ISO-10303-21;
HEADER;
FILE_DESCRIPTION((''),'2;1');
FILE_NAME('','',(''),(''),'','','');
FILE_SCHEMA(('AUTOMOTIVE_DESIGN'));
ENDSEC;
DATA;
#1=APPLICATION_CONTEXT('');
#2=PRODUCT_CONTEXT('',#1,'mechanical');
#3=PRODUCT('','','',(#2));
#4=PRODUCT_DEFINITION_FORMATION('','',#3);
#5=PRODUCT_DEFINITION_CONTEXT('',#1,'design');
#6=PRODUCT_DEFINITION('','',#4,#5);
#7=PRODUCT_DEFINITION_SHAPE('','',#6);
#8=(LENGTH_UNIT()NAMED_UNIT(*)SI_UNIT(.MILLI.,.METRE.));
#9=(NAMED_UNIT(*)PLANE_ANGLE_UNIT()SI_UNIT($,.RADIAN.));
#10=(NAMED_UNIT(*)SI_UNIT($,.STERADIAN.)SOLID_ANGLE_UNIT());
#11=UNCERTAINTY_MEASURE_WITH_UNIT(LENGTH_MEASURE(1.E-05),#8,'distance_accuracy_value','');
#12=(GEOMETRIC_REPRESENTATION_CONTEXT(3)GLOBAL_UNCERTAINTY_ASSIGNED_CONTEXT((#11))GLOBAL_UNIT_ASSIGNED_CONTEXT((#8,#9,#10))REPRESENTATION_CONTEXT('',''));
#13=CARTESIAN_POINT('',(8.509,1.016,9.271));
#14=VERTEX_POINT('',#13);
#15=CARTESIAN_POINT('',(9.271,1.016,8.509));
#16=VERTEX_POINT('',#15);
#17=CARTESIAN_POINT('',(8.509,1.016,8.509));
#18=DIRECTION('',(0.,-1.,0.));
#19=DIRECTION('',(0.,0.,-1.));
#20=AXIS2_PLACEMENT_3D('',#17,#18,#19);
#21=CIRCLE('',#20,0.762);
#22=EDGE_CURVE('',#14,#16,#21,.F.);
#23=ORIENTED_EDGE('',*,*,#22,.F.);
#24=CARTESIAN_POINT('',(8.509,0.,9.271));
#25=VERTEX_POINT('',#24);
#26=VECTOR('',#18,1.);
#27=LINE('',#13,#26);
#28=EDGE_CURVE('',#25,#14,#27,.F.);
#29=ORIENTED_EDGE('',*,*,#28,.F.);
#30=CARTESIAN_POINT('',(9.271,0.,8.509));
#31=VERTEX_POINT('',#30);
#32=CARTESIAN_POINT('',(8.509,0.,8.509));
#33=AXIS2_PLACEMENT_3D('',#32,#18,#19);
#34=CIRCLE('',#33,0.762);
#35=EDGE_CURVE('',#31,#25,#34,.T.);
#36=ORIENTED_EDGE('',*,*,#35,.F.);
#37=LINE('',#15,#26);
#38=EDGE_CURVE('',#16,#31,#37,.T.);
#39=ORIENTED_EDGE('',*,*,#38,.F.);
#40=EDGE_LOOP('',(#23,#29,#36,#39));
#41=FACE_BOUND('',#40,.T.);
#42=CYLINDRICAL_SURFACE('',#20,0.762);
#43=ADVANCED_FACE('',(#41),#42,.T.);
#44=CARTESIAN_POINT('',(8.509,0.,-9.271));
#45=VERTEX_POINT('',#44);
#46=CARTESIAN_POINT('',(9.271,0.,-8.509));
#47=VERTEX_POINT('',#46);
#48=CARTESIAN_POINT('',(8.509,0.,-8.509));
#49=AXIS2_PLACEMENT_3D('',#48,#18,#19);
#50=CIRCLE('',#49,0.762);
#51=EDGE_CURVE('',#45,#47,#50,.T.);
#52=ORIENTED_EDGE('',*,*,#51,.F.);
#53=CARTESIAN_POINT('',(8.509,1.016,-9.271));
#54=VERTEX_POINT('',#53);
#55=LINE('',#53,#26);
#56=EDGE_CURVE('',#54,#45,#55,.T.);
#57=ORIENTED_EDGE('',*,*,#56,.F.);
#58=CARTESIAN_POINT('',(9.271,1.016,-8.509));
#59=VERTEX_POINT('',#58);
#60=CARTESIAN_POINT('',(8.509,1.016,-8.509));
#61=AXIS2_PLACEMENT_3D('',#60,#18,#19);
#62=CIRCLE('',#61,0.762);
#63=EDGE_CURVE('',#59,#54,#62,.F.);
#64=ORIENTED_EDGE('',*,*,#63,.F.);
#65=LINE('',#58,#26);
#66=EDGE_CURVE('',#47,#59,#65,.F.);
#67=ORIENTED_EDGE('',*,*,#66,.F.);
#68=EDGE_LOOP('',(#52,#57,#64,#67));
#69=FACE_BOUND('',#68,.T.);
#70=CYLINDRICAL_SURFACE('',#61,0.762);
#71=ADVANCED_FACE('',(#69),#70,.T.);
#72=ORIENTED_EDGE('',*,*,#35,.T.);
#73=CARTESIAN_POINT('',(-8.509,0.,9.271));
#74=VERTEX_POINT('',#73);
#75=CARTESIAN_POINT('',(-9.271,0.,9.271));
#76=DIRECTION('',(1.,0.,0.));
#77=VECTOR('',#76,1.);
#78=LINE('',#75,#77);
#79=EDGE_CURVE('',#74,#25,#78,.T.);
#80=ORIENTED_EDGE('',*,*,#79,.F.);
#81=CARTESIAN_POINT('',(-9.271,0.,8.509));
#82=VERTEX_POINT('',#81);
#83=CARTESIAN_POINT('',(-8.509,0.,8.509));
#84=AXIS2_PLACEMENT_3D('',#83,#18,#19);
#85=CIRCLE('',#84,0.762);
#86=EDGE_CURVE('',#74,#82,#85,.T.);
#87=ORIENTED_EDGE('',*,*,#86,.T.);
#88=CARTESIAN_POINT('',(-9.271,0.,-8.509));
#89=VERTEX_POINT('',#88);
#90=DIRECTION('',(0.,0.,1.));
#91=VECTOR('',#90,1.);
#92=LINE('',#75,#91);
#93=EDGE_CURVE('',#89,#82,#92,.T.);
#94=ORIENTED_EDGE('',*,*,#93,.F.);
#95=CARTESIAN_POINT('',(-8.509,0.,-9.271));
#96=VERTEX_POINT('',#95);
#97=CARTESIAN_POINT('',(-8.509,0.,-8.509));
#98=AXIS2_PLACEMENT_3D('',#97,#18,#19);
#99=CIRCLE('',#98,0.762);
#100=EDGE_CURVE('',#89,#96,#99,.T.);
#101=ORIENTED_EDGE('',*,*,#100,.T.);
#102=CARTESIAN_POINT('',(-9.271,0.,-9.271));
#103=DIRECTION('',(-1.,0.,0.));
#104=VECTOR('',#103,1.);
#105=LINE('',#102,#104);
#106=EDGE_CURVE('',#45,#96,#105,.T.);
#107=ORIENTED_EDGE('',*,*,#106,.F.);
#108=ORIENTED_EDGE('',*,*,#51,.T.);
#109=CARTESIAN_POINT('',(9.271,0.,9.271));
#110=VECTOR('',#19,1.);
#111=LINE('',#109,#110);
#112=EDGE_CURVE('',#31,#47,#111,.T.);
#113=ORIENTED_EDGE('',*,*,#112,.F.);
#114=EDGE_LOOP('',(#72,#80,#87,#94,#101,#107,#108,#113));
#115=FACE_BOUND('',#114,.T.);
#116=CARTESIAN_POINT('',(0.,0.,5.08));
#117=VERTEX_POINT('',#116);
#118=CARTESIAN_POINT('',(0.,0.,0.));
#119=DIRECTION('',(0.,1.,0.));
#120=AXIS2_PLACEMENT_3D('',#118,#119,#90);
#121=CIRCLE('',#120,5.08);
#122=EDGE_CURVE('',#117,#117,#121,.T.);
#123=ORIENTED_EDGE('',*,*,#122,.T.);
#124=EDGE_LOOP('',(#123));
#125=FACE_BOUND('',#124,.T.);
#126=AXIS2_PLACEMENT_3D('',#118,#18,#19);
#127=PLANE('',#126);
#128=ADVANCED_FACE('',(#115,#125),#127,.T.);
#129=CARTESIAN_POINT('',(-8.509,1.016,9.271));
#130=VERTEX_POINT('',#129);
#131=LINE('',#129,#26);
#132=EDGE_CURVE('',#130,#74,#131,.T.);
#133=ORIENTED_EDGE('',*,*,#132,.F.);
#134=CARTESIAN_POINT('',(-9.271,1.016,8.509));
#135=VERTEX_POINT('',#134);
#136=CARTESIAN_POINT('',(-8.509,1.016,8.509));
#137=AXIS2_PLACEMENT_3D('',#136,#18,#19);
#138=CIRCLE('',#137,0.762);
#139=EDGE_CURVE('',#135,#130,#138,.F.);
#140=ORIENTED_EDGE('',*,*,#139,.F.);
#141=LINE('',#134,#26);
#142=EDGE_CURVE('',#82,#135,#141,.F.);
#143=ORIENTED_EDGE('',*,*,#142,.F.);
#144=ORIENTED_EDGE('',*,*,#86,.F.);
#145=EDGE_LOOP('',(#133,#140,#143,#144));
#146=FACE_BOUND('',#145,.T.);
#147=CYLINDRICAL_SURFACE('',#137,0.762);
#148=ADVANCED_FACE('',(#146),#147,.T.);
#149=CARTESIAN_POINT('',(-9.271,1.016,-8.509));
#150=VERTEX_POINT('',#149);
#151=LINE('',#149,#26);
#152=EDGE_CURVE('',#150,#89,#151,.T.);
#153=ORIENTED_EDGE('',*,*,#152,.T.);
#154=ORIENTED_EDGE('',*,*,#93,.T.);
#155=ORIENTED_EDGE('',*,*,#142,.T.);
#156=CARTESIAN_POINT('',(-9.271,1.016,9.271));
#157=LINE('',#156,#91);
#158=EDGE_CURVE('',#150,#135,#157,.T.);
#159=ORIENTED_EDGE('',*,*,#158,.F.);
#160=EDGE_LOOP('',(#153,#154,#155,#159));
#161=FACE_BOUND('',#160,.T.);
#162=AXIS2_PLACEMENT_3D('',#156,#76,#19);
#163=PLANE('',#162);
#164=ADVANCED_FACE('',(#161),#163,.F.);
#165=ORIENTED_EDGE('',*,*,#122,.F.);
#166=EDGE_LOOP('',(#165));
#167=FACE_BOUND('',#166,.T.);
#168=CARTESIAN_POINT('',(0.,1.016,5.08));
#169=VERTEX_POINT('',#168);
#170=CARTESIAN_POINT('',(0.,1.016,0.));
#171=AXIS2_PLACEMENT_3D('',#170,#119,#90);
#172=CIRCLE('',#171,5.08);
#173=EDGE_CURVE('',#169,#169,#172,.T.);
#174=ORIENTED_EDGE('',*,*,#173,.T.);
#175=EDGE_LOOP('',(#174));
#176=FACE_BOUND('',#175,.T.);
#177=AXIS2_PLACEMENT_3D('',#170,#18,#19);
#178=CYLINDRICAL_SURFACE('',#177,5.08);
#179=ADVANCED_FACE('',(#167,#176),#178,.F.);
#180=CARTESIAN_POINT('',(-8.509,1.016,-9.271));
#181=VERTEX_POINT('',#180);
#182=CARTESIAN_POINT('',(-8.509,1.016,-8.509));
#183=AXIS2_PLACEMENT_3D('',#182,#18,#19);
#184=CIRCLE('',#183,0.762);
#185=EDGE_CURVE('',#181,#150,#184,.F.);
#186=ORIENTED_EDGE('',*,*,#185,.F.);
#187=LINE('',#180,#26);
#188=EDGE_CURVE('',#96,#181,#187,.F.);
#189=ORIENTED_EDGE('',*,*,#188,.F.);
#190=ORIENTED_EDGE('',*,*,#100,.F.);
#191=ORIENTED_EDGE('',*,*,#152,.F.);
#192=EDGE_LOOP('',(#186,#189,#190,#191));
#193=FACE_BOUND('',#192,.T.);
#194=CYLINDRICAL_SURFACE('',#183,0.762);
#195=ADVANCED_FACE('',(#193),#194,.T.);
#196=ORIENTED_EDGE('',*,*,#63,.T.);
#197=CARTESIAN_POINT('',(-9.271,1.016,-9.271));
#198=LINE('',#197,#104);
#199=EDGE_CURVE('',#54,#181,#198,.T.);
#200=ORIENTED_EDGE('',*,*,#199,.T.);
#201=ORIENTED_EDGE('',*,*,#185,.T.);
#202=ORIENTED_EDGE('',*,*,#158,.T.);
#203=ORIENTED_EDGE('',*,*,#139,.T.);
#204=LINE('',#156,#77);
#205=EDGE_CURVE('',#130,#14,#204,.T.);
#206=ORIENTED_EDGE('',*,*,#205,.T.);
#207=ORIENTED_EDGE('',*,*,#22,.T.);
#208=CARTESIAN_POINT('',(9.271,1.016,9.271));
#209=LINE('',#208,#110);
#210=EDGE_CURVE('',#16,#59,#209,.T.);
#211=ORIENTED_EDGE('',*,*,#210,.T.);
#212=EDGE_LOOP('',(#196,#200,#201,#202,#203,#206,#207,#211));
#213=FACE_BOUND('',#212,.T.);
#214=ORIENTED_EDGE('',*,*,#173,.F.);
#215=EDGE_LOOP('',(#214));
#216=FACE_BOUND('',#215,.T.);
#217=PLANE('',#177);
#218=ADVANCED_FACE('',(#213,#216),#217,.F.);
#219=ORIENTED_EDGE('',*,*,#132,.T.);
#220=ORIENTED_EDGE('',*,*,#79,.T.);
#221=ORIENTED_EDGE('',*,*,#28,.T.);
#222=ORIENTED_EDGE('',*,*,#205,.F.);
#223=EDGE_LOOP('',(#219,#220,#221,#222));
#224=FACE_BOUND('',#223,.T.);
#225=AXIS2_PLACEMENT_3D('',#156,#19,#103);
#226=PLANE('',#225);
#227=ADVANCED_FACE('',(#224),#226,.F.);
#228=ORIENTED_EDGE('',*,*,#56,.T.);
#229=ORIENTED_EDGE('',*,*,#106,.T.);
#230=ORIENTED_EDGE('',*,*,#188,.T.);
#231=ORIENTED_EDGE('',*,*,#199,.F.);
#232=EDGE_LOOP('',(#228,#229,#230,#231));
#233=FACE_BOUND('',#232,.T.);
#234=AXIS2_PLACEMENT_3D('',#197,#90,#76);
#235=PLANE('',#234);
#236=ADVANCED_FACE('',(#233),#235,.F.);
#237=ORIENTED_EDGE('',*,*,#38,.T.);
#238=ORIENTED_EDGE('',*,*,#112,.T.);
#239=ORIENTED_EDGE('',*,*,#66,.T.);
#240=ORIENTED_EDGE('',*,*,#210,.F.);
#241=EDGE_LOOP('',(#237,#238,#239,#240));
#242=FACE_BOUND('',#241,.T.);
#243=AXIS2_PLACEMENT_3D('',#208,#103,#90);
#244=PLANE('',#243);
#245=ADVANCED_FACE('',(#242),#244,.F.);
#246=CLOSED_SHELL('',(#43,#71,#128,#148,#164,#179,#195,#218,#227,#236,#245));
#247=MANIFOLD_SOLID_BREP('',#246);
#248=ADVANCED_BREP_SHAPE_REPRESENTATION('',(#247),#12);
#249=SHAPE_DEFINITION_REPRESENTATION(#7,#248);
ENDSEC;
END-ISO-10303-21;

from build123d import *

# Parameters (mm, degrees)
SKETCH1_W           = 18.542
SKETCH1_H           = 18.542
SKETCH1_R           = 5.08
BOSS_EXTRUDE1_DEPTH = 1.016
FILLET1_R           = 0.762


with BuildPart() as part:
    # Sketch1 → Boss-Extrude1 (new body)
    with BuildSketch(Plane(origin=(0, 0, 0), x_dir=(1, 0, 0), z_dir=(0, 1, 0))):
        Rectangle(SKETCH1_W, SKETCH1_H)
        Circle(SKETCH1_R, mode=Mode.SUBTRACT)
    extrude(amount=BOSS_EXTRUDE1_DEPTH)

    # Fillet1
    fillet1_edges = [part.edges().sort_by_distance(p)[0] for p in [
        (9.271, 0.508, 9.271),
        (-9.271, 0.508, 9.271),
        (-9.271, 0.508, -9.271),
        (9.271, 0.508, -9.271),
    ]]
    fillet(fillet1_edges, radius=FILLET1_R)


solid = part.part
